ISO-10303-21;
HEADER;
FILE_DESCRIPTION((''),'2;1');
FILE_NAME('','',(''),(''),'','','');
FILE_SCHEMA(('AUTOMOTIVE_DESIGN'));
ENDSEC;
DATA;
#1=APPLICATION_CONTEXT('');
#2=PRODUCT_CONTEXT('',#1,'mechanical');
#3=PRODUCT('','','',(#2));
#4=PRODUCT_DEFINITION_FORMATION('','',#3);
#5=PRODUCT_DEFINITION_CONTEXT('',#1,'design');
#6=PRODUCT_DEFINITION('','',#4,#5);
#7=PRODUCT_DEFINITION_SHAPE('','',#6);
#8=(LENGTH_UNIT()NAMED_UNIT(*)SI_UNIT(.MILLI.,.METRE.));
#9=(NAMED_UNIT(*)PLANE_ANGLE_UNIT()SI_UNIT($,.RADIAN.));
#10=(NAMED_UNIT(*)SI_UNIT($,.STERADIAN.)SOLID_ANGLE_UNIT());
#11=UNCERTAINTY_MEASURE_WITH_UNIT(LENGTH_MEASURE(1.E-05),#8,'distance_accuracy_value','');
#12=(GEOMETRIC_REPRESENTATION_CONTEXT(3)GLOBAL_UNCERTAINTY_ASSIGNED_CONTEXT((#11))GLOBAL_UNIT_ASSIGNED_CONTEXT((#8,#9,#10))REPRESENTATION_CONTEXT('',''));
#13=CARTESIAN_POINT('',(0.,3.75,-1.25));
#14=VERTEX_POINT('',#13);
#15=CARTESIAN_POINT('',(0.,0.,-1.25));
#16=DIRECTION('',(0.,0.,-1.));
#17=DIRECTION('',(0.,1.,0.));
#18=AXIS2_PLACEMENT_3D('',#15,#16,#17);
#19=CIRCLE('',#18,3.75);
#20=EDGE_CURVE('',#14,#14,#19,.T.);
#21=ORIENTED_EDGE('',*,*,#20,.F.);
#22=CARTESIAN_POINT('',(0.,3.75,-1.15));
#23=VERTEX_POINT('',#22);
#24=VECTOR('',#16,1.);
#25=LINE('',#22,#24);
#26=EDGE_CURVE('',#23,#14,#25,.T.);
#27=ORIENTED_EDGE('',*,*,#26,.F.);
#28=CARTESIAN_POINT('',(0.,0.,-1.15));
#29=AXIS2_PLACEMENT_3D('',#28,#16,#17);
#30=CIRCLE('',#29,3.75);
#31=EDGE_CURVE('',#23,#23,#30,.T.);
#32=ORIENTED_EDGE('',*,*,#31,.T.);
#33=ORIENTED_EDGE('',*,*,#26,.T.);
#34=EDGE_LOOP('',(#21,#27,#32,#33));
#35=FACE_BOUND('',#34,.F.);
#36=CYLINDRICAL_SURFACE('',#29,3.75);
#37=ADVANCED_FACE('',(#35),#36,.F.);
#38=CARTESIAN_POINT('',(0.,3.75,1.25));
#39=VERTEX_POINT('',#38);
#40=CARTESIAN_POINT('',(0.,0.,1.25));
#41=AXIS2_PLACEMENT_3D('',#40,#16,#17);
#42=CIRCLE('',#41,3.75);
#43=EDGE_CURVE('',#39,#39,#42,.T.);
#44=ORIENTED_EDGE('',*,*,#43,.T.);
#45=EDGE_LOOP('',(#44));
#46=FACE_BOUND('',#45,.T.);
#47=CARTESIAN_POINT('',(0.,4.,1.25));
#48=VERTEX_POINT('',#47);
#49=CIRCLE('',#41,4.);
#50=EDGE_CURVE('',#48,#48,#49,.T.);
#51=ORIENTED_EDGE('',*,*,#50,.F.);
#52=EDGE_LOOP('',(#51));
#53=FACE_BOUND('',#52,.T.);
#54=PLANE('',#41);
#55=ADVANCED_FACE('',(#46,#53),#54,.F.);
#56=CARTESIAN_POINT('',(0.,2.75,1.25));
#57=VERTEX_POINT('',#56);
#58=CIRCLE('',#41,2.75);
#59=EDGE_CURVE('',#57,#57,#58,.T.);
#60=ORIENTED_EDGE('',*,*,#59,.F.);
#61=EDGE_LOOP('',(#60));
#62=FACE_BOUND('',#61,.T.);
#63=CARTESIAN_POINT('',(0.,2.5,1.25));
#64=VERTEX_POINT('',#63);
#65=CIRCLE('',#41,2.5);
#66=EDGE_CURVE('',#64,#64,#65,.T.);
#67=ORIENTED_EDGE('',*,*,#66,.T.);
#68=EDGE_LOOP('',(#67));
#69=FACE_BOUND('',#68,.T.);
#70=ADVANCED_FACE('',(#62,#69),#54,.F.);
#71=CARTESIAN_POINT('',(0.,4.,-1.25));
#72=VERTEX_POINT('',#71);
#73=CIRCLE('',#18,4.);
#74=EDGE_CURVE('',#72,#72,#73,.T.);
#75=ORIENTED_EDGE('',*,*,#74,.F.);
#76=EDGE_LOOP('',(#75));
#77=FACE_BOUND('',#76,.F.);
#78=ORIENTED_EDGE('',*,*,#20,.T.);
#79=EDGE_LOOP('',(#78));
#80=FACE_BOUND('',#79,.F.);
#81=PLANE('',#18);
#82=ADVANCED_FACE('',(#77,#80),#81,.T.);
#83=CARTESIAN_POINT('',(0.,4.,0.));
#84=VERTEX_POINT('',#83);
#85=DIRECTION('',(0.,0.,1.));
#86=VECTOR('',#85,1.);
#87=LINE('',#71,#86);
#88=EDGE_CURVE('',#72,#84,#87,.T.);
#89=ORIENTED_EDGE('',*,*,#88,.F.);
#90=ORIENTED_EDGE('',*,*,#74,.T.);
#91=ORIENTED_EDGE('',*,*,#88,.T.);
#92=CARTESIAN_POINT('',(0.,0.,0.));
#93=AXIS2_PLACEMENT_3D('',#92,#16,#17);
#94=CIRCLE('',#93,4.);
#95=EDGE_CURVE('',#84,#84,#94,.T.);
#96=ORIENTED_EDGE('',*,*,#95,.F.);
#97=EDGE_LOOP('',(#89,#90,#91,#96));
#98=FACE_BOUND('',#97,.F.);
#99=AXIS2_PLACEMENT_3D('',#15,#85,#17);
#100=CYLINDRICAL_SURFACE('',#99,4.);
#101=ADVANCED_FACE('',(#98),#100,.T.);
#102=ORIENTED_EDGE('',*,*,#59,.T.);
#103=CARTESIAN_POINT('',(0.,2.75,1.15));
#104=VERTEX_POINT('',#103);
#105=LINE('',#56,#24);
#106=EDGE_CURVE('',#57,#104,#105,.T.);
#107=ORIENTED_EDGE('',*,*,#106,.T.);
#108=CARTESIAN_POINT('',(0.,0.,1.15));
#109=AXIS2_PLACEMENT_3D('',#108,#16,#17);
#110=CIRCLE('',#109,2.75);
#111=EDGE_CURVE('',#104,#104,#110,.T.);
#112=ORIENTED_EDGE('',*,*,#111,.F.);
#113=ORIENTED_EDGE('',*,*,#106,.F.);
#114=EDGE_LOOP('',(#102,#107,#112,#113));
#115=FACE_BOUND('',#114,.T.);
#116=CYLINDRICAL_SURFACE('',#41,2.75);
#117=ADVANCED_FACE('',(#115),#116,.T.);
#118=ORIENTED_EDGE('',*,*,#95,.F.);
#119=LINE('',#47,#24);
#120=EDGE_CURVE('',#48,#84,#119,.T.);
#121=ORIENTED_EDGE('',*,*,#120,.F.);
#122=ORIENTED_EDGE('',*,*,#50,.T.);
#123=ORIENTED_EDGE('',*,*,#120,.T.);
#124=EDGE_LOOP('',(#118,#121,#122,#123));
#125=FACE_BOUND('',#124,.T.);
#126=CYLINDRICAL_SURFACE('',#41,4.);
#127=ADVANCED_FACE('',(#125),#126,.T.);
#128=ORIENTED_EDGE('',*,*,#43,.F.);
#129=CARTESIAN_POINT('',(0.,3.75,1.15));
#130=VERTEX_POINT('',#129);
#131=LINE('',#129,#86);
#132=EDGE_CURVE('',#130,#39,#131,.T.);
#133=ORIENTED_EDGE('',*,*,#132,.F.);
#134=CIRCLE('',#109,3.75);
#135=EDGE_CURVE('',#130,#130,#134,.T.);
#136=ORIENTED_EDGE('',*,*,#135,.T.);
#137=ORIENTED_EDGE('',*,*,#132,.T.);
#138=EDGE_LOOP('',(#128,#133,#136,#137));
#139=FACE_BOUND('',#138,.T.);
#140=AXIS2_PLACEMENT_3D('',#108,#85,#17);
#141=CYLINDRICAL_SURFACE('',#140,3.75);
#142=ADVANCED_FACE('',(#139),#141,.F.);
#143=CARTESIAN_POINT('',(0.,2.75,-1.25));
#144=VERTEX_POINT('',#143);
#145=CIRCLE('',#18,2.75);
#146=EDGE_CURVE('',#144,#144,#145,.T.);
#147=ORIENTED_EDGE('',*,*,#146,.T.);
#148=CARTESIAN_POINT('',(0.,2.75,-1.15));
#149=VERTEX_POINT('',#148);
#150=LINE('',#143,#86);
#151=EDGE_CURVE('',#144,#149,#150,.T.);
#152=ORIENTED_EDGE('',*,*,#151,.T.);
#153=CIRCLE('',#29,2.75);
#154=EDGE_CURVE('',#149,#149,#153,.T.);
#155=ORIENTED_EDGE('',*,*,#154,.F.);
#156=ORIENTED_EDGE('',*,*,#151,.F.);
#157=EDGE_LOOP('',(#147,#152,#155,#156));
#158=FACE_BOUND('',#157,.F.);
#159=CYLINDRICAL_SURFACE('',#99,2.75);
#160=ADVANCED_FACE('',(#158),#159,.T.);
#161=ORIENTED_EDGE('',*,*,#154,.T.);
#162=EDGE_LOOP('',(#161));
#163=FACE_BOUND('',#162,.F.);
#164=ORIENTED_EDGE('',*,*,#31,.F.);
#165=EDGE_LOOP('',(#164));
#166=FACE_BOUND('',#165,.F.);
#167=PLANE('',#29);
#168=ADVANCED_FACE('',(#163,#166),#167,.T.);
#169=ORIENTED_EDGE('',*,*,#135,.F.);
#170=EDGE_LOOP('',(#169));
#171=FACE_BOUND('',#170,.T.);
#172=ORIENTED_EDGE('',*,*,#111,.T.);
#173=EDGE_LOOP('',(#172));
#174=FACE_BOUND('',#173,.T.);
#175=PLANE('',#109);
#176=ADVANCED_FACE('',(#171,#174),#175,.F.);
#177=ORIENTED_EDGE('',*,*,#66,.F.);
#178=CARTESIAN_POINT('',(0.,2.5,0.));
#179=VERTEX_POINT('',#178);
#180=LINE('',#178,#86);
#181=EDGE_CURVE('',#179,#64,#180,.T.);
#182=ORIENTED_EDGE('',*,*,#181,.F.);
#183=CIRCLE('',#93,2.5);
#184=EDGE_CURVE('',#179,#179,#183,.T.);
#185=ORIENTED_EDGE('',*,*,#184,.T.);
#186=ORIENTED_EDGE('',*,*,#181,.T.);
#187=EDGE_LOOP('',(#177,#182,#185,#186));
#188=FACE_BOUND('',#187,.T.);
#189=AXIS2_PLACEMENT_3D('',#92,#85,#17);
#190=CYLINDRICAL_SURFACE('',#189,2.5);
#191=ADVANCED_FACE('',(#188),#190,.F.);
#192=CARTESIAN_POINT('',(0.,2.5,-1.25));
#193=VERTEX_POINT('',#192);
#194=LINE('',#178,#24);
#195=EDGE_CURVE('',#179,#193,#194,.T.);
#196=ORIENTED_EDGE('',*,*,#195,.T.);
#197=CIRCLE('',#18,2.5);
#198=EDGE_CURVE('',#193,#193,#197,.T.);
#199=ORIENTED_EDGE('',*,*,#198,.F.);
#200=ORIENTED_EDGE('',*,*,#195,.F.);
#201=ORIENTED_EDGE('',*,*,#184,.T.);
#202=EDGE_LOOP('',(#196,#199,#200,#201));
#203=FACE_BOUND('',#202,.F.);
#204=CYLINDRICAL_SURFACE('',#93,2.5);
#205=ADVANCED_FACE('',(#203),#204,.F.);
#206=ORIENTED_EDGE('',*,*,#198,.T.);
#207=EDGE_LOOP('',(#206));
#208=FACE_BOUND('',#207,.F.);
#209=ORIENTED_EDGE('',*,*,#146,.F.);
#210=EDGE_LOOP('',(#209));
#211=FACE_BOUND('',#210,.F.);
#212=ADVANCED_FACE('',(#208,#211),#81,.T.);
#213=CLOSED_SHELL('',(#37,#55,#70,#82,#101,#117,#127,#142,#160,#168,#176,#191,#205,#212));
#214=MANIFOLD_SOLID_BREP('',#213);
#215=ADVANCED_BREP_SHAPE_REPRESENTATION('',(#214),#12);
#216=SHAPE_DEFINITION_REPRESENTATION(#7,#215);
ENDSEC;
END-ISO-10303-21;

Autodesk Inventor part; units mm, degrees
ref_plane "YZ Plane" through (0, 0, 0) normal (1, 0, 0) x (0, 1, 0)
ref_plane "XZ Plane" through (0, 0, 0) normal (0, 1, 0) x (-1, 0, 0)
ref_plane "XY Plane" through (0, 0, 0) normal (0, 0, 1) x (1, 0, 0)
sketch "Sketch1" plane through (0, 0, 0) normal (1, 0, 0) x (0, 1, 0)
  line L0 (0, 0) -> (0, -2.1848) construction
  line L1 (0, 0) -> (2.5, 0) construction
  line L2 (2.5, 0) -> (2.5, -1.25)
  line L3 (2.5, -1.25) -> (2.75, -1.25)
  line L4 (2.75, -1.25) -> (2.75, -1.15)
  line L5 (2.75, -1.15) -> (3.75, -1.15)
  line L6 (3.75, -1.15) -> (3.75, -1.25)
  line L7 (3.75, -1.25) -> (4, -1.25)
  line L8 (4, -1.25) -> (4, 0)
  line L9 (4, 0) -> (2.5, 0) construction
  line L10 (2.5, 0) -> (2.5, 1.25)
  line L11 (2.5, 1.25) -> (2.75, 1.25)
  line L12 (2.75, 1.25) -> (2.75, 1.15)
  line L13 (2.75, 1.15) -> (3.75, 1.15)
  line L14 (3.75, 1.15) -> (3.75, 1.25)
  line L15 (3.75, 1.25) -> (4, 1.25)
  line L16 (4, 1.25) -> (4, 0)
  dimension "d0" = 2.5
  dimension "d1" = 4
  dimension "d2" = 0.1
  dimension "d3" = 1
  dimension "d4" = 1.25
revolve "Revolution1" add sketch "Sketch1" angle 360 about axis through (0, 0, 0) along (0, 0, -1)
properties part number "MR85 bearing"
